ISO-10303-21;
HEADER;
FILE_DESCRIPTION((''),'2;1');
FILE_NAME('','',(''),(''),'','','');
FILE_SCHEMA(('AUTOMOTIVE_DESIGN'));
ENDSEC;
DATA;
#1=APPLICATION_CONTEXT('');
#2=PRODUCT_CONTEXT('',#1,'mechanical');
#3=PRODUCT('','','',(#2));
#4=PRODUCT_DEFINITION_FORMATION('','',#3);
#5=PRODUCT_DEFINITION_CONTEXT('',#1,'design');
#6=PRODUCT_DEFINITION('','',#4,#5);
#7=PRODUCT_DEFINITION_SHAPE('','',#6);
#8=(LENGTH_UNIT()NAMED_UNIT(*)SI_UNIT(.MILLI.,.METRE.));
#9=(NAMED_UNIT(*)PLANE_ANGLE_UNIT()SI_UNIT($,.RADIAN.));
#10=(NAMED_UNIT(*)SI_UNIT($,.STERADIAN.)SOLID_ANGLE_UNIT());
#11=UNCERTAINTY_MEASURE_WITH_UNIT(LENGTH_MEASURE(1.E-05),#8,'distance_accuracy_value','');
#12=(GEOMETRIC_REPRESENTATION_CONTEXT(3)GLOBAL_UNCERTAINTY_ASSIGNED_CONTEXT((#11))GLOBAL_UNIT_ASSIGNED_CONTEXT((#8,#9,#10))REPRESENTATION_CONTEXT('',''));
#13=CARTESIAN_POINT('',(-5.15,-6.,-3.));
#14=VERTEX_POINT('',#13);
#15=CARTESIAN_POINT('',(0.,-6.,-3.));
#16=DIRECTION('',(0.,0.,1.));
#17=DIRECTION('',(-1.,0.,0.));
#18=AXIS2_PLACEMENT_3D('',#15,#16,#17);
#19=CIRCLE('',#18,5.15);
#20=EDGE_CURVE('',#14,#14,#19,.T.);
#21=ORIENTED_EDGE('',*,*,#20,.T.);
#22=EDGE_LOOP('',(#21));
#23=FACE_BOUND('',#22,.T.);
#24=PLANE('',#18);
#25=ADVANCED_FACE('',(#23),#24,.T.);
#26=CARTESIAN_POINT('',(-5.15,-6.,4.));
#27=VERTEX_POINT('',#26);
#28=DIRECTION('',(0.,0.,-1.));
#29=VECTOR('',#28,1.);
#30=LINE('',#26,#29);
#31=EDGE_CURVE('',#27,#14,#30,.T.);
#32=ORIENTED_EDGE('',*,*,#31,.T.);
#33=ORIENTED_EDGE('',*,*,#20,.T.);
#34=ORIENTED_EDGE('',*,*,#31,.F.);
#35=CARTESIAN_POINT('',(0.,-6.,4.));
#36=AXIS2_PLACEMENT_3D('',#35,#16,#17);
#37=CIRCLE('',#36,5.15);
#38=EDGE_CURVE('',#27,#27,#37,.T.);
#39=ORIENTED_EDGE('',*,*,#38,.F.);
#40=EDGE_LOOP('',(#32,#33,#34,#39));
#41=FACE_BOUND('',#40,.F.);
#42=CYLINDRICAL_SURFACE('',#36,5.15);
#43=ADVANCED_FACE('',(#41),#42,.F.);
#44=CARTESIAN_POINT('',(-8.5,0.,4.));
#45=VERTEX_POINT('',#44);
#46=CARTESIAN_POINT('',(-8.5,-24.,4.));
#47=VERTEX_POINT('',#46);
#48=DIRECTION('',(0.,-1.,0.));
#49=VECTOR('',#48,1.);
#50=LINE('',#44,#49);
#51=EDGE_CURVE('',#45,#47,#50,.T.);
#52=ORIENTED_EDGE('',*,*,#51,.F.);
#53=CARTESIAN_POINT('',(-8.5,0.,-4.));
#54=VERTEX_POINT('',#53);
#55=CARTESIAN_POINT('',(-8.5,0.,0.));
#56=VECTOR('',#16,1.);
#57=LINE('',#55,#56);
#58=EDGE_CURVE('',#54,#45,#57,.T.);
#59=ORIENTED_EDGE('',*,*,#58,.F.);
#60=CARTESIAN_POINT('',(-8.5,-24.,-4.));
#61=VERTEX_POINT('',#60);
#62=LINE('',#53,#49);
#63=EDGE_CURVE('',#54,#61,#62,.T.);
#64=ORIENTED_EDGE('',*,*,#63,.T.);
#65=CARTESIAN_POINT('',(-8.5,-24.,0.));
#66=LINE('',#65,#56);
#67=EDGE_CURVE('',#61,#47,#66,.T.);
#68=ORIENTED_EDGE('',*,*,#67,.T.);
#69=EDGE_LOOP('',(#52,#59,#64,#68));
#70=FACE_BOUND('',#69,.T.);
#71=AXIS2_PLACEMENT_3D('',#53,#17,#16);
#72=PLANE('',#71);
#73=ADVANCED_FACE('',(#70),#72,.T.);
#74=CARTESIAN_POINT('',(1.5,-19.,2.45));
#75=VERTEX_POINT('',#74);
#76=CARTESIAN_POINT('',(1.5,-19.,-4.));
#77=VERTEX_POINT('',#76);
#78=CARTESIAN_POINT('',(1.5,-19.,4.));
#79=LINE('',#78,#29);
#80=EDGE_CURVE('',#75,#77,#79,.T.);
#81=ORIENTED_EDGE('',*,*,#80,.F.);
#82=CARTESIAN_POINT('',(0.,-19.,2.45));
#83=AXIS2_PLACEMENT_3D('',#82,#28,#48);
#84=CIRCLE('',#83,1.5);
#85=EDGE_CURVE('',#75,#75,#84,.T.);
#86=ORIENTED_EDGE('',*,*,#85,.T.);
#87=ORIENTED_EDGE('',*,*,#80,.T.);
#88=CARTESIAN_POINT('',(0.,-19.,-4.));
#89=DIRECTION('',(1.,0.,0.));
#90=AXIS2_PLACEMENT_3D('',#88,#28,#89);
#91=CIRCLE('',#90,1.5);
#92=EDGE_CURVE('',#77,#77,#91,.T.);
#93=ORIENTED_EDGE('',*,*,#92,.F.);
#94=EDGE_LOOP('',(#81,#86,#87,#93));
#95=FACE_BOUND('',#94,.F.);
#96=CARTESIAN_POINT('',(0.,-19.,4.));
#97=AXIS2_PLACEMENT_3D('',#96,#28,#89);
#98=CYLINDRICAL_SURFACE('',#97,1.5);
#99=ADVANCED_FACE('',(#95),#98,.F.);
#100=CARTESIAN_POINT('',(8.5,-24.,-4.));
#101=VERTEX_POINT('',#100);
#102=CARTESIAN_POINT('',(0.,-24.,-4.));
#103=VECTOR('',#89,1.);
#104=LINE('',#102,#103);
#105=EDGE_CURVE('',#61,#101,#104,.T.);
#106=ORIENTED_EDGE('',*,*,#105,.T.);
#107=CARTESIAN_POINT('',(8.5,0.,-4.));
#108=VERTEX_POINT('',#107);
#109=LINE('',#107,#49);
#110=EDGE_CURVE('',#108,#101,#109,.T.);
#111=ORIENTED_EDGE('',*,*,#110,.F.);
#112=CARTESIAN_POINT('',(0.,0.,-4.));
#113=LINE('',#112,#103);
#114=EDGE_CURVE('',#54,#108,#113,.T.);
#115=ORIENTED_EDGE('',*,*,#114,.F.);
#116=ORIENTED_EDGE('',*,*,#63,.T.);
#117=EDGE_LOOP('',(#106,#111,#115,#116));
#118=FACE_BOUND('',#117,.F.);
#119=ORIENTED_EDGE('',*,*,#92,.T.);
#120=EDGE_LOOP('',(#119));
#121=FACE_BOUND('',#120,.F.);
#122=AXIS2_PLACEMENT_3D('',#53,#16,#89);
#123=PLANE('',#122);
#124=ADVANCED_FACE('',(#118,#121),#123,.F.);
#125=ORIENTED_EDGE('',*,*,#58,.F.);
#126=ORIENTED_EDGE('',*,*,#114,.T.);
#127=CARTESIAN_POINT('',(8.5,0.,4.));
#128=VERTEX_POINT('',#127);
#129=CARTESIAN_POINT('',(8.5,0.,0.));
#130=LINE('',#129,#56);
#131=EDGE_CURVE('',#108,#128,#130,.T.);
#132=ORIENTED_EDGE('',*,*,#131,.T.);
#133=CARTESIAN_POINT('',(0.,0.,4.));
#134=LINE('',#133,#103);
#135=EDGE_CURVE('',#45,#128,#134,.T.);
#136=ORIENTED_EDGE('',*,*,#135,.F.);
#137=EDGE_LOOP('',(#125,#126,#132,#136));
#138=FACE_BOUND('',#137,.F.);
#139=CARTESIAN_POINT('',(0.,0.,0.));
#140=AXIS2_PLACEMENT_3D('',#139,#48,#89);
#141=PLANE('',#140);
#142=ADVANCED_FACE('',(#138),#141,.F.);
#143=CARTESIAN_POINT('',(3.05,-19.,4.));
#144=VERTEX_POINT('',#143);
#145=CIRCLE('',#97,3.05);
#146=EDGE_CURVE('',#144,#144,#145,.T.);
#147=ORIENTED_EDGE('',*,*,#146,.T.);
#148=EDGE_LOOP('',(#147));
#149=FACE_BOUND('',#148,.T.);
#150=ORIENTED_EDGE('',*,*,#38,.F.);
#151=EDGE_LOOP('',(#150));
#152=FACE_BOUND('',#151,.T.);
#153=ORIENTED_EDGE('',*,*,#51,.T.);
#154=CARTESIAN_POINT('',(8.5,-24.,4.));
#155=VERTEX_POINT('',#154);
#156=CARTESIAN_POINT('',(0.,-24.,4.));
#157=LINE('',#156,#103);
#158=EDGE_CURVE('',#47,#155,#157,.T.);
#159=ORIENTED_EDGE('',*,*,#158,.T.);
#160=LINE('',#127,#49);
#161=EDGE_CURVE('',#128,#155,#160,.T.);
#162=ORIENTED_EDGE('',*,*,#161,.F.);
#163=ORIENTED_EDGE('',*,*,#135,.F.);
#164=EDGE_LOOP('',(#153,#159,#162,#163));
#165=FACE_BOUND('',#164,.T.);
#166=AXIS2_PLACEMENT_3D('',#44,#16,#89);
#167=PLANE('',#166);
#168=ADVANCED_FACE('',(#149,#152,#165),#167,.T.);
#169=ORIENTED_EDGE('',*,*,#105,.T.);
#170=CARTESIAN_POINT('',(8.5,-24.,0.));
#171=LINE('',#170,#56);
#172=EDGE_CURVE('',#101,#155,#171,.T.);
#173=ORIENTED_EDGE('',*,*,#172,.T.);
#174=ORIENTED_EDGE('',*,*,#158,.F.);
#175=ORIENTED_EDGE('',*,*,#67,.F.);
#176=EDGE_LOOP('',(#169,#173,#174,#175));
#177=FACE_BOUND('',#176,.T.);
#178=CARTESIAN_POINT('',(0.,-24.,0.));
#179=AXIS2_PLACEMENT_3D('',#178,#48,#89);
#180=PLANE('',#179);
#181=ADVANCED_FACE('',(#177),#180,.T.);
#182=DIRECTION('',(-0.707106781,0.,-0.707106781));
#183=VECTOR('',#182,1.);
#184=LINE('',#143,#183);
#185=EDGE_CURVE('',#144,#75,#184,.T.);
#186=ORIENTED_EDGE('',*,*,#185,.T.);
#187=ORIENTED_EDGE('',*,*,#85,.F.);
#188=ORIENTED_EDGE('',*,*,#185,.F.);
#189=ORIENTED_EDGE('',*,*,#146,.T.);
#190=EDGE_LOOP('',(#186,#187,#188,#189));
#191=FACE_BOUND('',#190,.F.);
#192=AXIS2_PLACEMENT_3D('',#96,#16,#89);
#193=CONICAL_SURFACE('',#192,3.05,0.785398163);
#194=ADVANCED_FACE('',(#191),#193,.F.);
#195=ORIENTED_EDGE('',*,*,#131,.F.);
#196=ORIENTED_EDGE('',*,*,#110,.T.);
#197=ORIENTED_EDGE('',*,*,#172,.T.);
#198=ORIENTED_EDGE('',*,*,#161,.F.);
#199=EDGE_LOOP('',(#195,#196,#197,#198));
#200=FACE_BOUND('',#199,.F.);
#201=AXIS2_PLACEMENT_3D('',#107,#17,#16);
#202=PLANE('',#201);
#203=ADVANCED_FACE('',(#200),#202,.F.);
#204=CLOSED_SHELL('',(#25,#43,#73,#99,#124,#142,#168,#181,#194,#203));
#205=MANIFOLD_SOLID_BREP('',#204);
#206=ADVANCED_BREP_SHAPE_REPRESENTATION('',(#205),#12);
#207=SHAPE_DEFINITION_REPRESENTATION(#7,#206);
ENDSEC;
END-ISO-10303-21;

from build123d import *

# Parameters (mm, degrees)
SKETCH003_W         = 17
SKETCH003_H         = 8
PAD001_DEPTH        = 24
SKETCH005_R         = 5.15
POCKET_DEPTH        = 7
HOLE002_D           = 3
HOLE002_DEPTH       = 25
HOLE002_CSINK_D     = 6.1
HOLE002_CSINK_ANGLE = 90


with BuildPart() as part:
    # Sketch003 → Pad001 (new body)
    with BuildSketch(Plane.XZ):
        Rectangle(SKETCH003_W, SKETCH003_H)
    extrude(amount=PAD001_DEPTH)

    # Sketch005 → Pocket (cut)
    with BuildSketch(Plane(origin=(0, 0, 4), x_dir=(-1, 0, 0), z_dir=(0, 0, 1))):
        with Locations((0, 6)):
            Circle(SKETCH005_R)
    extrude(amount=-POCKET_DEPTH, mode=Mode.SUBTRACT)

    # Hole002
    with Locations(Plane(origin=(0, 0, 4), x_dir=(-1, 0, 0), z_dir=(0, 0, 1))):
        with Locations((0, 19)):
            CounterSinkHole(HOLE002_D / 2, HOLE002_CSINK_D / 2, depth=HOLE002_DEPTH, counter_sink_angle=HOLE002_CSINK_ANGLE)


solid = part.part
